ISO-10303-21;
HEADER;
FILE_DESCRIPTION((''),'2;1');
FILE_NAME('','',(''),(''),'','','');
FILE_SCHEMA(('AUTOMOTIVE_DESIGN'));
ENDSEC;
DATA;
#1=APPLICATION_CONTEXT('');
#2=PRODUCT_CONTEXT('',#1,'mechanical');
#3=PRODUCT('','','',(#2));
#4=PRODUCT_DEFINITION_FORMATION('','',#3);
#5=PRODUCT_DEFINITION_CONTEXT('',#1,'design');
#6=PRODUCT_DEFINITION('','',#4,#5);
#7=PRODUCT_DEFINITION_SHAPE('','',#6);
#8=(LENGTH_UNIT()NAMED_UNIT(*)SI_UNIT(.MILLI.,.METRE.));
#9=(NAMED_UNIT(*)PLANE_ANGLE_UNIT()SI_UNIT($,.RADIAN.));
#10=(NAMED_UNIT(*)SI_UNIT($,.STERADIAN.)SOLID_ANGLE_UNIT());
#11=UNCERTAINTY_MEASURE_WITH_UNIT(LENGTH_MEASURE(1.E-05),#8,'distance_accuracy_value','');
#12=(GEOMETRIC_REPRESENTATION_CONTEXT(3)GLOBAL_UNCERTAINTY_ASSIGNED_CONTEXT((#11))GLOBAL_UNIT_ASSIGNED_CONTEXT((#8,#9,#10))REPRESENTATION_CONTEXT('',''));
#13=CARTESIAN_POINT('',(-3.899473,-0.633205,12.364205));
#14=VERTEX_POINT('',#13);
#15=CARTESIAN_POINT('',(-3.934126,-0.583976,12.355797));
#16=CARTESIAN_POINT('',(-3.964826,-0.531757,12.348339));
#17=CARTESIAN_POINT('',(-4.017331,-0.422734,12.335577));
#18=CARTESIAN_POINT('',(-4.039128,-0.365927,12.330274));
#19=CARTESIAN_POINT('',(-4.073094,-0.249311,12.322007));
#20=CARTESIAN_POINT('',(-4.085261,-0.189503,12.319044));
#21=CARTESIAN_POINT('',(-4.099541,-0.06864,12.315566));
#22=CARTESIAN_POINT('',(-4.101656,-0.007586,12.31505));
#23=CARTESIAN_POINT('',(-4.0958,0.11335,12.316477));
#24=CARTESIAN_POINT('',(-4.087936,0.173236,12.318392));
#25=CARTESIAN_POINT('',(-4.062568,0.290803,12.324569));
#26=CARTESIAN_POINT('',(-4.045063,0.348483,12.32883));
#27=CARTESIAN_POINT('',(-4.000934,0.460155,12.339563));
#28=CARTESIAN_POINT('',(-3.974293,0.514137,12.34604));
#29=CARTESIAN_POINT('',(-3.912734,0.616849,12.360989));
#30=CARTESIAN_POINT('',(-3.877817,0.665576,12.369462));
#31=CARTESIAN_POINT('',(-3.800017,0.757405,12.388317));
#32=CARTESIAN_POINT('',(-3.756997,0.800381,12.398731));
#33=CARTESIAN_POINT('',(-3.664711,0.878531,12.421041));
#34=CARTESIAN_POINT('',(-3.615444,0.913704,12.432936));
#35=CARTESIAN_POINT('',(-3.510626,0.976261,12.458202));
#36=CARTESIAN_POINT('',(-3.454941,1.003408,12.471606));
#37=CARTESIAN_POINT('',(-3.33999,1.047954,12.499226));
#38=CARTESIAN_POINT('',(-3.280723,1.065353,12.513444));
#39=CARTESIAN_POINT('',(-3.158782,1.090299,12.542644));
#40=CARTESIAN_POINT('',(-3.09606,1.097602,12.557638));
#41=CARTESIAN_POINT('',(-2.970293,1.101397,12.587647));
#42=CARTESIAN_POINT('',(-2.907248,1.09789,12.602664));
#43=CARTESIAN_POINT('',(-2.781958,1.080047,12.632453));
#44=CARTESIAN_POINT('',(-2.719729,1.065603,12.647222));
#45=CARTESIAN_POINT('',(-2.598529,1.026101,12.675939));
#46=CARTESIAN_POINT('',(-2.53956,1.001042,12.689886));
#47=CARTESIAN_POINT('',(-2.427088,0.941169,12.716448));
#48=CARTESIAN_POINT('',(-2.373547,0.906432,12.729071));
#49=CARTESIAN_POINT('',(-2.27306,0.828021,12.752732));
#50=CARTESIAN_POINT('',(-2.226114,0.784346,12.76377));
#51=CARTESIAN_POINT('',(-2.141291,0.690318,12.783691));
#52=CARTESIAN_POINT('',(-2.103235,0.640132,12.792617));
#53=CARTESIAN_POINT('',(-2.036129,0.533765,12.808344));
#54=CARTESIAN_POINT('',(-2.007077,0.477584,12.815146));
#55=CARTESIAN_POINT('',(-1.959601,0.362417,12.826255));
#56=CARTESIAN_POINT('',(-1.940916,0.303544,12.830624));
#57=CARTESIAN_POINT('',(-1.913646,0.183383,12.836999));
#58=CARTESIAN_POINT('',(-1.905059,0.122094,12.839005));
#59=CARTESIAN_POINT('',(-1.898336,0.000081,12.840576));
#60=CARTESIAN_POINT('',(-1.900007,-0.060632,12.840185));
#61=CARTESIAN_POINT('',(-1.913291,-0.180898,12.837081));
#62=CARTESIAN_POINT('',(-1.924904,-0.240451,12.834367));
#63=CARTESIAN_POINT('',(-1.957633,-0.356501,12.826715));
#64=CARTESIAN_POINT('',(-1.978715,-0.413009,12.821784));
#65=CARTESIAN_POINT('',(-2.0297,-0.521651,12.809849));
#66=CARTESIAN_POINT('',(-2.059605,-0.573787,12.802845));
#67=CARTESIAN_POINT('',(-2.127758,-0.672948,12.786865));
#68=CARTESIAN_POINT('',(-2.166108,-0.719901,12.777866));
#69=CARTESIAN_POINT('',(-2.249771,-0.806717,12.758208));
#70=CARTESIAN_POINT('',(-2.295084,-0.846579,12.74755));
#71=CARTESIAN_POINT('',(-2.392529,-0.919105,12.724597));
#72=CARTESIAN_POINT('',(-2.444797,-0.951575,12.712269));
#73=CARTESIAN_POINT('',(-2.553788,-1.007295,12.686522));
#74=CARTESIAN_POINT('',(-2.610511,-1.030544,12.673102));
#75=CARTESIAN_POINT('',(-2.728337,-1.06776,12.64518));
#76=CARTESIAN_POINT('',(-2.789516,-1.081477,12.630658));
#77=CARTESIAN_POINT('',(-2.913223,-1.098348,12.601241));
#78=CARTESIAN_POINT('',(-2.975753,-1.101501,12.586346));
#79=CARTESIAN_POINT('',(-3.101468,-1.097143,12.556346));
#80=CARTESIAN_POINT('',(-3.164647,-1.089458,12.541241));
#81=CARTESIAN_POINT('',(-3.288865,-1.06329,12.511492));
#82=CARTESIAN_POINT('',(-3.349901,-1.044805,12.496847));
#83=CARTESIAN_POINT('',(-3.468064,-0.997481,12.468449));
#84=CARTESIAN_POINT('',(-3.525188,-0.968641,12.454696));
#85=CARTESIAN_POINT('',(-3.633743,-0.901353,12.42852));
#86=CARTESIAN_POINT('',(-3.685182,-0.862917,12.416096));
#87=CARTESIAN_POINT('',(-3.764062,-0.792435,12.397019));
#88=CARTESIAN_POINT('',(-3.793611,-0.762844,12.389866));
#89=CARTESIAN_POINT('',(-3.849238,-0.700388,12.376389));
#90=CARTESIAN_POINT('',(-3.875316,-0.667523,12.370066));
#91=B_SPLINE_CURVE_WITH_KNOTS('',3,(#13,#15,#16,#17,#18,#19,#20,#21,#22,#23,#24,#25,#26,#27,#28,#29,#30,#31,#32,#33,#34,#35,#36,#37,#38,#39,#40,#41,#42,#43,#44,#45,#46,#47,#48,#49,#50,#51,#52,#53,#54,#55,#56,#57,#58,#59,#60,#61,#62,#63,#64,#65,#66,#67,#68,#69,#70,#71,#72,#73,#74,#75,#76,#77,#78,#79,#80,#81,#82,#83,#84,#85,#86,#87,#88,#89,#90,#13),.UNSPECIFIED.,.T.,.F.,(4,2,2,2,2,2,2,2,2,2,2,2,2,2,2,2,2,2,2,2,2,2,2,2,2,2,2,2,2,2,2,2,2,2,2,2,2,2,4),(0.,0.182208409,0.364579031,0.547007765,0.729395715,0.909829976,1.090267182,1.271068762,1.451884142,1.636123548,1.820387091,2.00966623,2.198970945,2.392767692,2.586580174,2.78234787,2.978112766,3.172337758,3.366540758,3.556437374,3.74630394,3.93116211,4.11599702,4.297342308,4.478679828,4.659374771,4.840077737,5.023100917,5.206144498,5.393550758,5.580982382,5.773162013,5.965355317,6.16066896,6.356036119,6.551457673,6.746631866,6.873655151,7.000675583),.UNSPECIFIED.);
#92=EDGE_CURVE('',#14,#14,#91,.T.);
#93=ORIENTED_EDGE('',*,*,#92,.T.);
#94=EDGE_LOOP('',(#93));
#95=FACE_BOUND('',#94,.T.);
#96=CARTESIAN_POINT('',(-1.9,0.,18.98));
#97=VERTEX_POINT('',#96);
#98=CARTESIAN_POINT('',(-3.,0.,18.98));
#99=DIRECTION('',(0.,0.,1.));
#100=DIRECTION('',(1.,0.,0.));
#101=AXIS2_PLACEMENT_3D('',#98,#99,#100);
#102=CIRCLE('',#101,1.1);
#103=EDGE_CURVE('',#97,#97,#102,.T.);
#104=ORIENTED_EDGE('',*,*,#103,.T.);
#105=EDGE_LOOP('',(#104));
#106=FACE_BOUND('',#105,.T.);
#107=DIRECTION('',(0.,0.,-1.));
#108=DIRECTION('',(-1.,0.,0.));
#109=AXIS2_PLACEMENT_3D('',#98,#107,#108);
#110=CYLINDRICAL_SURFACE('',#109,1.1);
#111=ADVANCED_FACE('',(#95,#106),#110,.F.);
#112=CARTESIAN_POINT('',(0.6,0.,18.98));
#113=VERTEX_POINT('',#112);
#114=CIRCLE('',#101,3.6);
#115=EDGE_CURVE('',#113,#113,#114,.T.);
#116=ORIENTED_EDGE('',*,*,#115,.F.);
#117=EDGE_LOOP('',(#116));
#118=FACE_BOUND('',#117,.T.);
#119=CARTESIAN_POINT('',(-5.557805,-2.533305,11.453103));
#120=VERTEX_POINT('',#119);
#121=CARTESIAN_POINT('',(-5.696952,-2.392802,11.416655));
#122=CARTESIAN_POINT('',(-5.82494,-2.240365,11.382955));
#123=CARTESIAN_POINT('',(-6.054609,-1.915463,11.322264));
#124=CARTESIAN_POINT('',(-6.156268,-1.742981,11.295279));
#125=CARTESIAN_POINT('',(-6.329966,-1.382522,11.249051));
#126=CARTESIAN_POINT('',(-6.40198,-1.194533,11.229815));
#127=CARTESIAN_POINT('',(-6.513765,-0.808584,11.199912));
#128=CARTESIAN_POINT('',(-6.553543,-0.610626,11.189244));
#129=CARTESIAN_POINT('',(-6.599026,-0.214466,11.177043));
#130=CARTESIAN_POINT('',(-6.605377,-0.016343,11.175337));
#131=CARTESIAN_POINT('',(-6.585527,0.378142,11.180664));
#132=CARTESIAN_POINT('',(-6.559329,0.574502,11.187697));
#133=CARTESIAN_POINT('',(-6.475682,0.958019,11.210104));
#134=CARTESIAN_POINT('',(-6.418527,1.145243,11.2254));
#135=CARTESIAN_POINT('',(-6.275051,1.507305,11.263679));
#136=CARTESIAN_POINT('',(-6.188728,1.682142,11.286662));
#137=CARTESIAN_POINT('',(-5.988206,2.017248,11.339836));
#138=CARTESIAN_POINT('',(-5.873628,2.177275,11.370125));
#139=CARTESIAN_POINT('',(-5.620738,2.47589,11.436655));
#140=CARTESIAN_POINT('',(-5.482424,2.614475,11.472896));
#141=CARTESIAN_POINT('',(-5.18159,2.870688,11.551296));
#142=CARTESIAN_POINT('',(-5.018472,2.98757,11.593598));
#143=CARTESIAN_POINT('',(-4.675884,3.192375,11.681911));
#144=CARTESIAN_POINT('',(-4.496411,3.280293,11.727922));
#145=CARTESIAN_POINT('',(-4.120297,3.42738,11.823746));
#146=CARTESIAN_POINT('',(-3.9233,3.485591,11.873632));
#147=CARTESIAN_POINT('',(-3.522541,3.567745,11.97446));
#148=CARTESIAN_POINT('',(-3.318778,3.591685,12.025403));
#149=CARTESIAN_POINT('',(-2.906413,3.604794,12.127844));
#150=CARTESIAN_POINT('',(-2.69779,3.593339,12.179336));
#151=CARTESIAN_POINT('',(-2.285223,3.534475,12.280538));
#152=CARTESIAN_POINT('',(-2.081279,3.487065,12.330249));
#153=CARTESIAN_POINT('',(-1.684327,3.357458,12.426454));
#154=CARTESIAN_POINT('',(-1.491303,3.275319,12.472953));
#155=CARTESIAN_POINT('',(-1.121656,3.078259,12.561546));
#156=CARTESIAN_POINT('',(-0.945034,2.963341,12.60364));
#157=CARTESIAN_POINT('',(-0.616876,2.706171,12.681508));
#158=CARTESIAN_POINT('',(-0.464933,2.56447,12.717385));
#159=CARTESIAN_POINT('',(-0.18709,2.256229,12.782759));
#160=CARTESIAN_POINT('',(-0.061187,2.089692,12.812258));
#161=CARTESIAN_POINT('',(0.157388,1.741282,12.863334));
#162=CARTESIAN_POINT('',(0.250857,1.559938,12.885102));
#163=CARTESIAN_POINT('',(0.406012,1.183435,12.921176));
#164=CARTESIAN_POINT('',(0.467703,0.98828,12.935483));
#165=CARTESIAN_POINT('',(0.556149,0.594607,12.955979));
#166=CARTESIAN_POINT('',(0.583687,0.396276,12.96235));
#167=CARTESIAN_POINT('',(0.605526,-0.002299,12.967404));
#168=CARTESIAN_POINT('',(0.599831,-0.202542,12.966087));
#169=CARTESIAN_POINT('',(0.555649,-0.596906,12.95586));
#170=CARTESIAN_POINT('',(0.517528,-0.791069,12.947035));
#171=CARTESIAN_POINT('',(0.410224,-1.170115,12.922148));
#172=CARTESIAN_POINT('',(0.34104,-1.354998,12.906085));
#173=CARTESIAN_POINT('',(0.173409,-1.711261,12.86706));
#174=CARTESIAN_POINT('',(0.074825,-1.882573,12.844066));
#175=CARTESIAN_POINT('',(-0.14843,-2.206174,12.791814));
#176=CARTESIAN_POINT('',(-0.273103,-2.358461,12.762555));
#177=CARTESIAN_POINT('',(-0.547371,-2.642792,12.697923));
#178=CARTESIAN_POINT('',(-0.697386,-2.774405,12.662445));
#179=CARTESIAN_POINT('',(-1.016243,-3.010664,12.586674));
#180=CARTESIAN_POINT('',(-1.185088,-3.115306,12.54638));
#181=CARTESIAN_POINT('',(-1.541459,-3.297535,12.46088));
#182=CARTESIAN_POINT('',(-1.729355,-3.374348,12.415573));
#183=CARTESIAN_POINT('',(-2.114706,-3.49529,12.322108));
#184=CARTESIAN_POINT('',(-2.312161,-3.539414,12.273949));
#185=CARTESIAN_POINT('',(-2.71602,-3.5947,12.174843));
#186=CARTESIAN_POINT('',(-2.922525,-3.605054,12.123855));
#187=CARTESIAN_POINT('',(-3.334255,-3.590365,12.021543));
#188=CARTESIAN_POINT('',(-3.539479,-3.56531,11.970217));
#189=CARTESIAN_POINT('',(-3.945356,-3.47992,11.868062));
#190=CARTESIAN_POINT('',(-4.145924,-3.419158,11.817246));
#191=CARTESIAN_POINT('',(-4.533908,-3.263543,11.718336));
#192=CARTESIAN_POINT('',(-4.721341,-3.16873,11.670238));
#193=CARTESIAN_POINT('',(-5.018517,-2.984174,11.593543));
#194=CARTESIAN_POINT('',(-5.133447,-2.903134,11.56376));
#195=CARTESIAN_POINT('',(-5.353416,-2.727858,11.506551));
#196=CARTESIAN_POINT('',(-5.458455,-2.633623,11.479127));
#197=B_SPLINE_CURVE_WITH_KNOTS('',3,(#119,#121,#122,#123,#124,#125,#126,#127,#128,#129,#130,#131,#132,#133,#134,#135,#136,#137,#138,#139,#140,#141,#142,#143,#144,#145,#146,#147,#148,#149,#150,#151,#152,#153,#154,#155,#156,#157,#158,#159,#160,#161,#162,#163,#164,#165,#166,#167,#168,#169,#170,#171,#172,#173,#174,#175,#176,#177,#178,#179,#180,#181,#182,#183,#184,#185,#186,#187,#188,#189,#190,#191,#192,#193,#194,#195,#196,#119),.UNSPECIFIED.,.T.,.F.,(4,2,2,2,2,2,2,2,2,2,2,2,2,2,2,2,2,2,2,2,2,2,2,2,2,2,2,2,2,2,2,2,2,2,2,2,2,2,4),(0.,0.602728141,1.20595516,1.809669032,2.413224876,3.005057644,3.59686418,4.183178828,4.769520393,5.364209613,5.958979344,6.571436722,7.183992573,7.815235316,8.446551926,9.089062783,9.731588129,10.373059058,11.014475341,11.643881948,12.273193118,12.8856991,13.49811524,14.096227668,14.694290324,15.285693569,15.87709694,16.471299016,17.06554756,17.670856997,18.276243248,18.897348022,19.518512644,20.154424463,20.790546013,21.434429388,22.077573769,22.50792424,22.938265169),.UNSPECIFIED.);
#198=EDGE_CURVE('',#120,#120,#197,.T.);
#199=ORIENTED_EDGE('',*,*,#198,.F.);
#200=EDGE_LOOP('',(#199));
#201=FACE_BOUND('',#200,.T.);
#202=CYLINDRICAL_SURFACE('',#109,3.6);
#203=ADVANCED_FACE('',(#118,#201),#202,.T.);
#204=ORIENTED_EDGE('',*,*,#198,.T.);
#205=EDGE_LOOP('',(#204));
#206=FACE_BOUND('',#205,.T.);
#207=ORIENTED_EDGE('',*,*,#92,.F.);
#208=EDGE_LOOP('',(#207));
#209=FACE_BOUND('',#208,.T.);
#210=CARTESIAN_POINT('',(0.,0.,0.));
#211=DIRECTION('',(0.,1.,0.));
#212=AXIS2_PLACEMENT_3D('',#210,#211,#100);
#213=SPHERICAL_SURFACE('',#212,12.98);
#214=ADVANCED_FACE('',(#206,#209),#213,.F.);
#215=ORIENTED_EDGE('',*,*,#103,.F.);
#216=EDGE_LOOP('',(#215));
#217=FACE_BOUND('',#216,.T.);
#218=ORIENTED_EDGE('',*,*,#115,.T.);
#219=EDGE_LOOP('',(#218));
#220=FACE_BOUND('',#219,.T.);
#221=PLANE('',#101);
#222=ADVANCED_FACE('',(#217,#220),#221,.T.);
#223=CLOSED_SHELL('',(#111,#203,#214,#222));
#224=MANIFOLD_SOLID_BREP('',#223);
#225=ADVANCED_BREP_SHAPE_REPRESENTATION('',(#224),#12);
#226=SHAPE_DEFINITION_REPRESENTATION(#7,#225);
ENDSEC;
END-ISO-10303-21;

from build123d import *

# Parameters (mm, degrees)
SKETCH1_R           = 3.6
SKETCH1_R_2         = 1.1
BOSS_EXTRUDE1_DEPTH = 18.98


with BuildPart() as part:
    # Sketch1 → Boss-Extrude1 (new body)
    with BuildSketch(Plane.XY):
        with Locations((-3, 0)):
            Circle(SKETCH1_R)
        with Locations((-3, 0)):
            Circle(SKETCH1_R_2, mode=Mode.SUBTRACT)
    extrude(amount=BOSS_EXTRUDE1_DEPTH)

    # Sketch2 → Cut-Revolve1 (revolve, cut)
    with BuildSketch(Plane.XY):
        with BuildLine():
            ThreePointArc((0, -12.98), (12.98, 0), (0, 12.98))
            Line((0, 12.98), (0, -12.98))
        make_face()
    revolve(axis=Axis((0, 14.366525119, 0), (0, -1, 0)), mode=Mode.SUBTRACT)


solid = part.part
